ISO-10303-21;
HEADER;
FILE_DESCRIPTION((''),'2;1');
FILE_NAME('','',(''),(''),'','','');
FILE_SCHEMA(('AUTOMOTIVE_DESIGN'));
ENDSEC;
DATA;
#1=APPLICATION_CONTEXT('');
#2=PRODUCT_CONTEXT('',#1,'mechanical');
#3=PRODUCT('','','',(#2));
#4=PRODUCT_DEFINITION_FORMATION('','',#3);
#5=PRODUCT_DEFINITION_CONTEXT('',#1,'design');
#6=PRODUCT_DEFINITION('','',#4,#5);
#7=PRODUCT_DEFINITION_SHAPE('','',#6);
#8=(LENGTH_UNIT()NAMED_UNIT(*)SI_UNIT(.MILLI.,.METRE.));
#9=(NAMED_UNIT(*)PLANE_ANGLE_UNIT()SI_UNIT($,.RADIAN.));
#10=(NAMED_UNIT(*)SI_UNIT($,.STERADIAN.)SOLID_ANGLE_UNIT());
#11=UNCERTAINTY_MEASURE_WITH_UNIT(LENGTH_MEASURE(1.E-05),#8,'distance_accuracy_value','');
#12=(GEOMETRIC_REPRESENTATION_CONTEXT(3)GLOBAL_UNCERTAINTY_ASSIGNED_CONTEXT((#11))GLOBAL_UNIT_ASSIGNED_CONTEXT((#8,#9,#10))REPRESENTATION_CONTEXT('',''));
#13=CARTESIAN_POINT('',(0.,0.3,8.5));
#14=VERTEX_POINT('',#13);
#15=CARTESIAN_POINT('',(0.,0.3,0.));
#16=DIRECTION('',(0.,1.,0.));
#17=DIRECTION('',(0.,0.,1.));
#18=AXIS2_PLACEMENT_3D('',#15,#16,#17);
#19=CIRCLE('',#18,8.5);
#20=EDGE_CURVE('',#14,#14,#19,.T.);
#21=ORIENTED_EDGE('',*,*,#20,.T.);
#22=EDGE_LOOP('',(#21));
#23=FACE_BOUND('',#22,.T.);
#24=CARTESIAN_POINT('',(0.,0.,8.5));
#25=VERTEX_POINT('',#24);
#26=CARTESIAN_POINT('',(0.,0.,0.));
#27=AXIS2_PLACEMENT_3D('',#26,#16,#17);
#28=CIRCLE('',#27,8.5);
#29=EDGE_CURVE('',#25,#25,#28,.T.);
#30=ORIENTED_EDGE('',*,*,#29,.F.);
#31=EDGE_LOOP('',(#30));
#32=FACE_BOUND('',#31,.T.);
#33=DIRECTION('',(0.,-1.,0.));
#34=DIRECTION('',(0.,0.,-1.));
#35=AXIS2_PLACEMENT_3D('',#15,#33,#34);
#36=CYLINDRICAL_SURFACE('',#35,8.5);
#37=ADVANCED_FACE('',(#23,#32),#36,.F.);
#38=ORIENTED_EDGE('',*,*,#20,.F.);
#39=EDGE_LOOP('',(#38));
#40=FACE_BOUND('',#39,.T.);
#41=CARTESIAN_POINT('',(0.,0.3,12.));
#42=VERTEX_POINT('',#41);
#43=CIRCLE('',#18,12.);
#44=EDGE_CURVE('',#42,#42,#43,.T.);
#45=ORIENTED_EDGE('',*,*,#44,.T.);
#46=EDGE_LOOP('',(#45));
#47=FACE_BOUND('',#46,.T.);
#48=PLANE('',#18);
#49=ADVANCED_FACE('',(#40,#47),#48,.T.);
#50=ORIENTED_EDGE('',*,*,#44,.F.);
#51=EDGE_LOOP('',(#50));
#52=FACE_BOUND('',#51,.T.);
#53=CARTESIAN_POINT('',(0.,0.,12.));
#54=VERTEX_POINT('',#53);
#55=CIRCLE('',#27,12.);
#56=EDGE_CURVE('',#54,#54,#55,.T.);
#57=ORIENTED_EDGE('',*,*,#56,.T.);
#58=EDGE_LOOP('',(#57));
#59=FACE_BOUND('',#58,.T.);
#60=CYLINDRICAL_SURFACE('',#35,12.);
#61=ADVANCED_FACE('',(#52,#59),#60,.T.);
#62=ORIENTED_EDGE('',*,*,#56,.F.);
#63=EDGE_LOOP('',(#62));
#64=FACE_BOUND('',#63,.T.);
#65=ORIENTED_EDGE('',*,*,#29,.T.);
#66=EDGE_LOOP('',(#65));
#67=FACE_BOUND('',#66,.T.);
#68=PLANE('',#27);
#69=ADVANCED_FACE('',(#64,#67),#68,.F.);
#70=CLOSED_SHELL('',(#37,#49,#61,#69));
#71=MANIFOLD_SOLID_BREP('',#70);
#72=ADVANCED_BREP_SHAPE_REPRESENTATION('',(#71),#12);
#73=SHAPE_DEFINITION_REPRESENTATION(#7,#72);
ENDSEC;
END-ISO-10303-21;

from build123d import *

# Parameters (mm, degrees)
SKETCH1_R           = 12
SKETCH1_R_2         = 8.5
BOSS_EXTRUDE1_DEPTH = 0.3


with BuildPart() as part:
    # Sketch1 → Boss-Extrude1 (new body)
    with BuildSketch(Plane(origin=(0, 0, 0), x_dir=(1, 0, 0), z_dir=(0, 1, 0))):
        with Locations(Location((0, 0, 0), (0, 0, 270))):
            Circle(SKETCH1_R)
        with Locations(Location((0, 0, 0), (0, 0, 270))):
            Circle(SKETCH1_R_2, mode=Mode.SUBTRACT)
    extrude(amount=BOSS_EXTRUDE1_DEPTH)


solid = part.part
